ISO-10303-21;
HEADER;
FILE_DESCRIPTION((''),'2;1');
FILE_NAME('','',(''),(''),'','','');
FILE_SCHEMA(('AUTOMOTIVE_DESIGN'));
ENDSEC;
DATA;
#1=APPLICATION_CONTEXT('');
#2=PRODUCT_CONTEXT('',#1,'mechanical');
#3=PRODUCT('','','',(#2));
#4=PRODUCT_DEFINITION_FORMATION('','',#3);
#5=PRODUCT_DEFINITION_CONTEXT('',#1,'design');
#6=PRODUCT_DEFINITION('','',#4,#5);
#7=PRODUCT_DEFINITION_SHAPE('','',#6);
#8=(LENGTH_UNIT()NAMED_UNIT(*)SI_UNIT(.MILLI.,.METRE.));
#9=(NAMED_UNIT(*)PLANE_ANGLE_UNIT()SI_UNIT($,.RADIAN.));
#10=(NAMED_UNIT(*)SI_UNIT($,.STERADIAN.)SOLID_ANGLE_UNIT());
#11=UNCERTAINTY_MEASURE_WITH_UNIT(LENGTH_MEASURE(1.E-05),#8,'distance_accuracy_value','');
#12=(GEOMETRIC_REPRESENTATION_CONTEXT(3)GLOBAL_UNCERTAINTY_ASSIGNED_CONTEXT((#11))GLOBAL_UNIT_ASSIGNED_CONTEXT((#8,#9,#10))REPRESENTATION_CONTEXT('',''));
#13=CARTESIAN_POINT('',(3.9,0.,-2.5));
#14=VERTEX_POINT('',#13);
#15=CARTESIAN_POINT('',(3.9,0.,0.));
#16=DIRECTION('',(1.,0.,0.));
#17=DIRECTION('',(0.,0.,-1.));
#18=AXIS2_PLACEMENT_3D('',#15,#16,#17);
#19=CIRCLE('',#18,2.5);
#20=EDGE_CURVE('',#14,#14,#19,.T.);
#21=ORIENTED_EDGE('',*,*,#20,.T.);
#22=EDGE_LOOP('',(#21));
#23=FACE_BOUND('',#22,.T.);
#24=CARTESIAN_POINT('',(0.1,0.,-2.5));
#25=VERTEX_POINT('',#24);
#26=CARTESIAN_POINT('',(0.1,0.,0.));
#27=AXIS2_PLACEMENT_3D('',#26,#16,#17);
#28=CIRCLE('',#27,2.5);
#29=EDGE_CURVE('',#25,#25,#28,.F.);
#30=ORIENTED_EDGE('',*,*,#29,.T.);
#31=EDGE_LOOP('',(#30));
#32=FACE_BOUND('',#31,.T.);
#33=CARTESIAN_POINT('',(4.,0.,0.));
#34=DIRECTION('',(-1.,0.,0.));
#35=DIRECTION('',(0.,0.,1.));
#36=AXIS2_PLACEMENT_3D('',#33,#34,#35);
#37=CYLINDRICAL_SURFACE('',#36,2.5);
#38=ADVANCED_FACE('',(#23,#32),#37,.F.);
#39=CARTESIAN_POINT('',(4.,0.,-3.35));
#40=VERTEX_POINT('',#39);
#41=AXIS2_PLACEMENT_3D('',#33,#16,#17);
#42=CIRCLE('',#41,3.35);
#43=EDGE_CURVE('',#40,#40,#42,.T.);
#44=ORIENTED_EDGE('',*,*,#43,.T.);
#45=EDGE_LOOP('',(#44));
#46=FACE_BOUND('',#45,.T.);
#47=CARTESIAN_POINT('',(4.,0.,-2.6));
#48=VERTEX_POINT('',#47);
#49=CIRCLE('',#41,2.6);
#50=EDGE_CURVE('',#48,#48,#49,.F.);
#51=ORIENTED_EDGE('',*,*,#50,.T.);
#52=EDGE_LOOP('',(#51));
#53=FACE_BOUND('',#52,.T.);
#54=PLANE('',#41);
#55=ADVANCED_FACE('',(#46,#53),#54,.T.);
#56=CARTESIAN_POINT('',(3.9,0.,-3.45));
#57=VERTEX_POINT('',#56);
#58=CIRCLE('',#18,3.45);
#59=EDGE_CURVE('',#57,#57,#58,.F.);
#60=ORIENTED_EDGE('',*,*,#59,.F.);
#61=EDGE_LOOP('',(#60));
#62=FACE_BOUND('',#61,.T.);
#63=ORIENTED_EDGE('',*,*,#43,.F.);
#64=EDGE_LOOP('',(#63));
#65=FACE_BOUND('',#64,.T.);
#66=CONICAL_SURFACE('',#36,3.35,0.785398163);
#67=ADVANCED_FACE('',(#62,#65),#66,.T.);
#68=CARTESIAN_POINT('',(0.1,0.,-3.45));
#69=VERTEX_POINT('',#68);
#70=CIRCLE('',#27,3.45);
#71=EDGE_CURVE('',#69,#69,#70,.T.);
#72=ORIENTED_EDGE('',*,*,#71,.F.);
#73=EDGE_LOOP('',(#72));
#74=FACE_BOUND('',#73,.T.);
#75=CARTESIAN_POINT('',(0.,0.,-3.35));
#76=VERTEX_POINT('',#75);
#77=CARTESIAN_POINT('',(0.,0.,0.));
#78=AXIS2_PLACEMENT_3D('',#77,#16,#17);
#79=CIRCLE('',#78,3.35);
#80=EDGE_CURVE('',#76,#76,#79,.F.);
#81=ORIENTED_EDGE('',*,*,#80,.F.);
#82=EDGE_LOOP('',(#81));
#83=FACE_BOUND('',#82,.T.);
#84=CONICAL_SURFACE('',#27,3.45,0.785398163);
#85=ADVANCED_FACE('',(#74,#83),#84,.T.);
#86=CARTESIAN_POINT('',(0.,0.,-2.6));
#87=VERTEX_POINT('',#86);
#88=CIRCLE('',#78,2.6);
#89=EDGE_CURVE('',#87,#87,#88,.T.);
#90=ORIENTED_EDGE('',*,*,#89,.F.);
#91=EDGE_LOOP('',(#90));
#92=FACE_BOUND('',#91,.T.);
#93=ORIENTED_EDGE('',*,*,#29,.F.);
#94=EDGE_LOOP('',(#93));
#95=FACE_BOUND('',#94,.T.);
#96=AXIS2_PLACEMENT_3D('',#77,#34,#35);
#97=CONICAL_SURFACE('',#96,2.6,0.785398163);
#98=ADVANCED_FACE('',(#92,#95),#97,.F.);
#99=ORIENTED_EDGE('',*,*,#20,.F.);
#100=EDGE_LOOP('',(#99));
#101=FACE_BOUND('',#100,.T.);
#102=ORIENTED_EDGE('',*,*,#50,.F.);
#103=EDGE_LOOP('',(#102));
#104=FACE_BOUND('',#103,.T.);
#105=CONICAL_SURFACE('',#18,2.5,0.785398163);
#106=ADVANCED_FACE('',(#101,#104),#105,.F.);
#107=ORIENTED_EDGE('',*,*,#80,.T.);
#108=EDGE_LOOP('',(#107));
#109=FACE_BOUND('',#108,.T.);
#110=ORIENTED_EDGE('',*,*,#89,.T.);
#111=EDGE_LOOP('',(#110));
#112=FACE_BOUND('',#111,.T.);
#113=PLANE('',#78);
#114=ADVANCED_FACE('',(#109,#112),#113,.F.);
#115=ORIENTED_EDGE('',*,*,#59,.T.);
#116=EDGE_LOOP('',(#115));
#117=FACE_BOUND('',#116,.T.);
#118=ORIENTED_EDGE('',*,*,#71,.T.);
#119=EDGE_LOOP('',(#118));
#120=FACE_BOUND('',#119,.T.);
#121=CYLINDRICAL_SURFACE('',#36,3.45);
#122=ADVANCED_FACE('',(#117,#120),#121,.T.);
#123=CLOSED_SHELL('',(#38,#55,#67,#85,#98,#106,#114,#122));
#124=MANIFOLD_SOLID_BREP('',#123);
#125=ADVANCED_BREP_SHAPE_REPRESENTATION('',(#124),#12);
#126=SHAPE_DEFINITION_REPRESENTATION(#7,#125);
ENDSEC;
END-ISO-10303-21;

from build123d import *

# Parameters (mm, degrees)
SKETCH_1_R      = 3.45
SKETCH_1_R_2    = 2.5
EXTRUDE_1_DEPTH = 4
CHAMFER_1_SIZE  = 0.1


with BuildPart() as part:
    # 草图1 → 凸台-拉伸1 (new body)
    with BuildSketch(Plane.YZ):
        with Locations(Location((0, 0, 0), (0, 0, 270))):
            Circle(SKETCH_1_R)
        with Locations(Location((0, 0, 0), (0, 0, 270))):
            Circle(SKETCH_1_R_2, mode=Mode.SUBTRACT)
    extrude(amount=EXTRUDE_1_DEPTH)

    # 倒角1
    chamfer_1_edges = [part.edges().sort_by_distance(p)[0] for p in [
        (0, 0, 3.45),
        (4, 0, 3.45),
        (0, 0, 2.5),
        (4, 0, 2.5),
    ]]
    chamfer(chamfer_1_edges, length=CHAMFER_1_SIZE)


solid = part.part
